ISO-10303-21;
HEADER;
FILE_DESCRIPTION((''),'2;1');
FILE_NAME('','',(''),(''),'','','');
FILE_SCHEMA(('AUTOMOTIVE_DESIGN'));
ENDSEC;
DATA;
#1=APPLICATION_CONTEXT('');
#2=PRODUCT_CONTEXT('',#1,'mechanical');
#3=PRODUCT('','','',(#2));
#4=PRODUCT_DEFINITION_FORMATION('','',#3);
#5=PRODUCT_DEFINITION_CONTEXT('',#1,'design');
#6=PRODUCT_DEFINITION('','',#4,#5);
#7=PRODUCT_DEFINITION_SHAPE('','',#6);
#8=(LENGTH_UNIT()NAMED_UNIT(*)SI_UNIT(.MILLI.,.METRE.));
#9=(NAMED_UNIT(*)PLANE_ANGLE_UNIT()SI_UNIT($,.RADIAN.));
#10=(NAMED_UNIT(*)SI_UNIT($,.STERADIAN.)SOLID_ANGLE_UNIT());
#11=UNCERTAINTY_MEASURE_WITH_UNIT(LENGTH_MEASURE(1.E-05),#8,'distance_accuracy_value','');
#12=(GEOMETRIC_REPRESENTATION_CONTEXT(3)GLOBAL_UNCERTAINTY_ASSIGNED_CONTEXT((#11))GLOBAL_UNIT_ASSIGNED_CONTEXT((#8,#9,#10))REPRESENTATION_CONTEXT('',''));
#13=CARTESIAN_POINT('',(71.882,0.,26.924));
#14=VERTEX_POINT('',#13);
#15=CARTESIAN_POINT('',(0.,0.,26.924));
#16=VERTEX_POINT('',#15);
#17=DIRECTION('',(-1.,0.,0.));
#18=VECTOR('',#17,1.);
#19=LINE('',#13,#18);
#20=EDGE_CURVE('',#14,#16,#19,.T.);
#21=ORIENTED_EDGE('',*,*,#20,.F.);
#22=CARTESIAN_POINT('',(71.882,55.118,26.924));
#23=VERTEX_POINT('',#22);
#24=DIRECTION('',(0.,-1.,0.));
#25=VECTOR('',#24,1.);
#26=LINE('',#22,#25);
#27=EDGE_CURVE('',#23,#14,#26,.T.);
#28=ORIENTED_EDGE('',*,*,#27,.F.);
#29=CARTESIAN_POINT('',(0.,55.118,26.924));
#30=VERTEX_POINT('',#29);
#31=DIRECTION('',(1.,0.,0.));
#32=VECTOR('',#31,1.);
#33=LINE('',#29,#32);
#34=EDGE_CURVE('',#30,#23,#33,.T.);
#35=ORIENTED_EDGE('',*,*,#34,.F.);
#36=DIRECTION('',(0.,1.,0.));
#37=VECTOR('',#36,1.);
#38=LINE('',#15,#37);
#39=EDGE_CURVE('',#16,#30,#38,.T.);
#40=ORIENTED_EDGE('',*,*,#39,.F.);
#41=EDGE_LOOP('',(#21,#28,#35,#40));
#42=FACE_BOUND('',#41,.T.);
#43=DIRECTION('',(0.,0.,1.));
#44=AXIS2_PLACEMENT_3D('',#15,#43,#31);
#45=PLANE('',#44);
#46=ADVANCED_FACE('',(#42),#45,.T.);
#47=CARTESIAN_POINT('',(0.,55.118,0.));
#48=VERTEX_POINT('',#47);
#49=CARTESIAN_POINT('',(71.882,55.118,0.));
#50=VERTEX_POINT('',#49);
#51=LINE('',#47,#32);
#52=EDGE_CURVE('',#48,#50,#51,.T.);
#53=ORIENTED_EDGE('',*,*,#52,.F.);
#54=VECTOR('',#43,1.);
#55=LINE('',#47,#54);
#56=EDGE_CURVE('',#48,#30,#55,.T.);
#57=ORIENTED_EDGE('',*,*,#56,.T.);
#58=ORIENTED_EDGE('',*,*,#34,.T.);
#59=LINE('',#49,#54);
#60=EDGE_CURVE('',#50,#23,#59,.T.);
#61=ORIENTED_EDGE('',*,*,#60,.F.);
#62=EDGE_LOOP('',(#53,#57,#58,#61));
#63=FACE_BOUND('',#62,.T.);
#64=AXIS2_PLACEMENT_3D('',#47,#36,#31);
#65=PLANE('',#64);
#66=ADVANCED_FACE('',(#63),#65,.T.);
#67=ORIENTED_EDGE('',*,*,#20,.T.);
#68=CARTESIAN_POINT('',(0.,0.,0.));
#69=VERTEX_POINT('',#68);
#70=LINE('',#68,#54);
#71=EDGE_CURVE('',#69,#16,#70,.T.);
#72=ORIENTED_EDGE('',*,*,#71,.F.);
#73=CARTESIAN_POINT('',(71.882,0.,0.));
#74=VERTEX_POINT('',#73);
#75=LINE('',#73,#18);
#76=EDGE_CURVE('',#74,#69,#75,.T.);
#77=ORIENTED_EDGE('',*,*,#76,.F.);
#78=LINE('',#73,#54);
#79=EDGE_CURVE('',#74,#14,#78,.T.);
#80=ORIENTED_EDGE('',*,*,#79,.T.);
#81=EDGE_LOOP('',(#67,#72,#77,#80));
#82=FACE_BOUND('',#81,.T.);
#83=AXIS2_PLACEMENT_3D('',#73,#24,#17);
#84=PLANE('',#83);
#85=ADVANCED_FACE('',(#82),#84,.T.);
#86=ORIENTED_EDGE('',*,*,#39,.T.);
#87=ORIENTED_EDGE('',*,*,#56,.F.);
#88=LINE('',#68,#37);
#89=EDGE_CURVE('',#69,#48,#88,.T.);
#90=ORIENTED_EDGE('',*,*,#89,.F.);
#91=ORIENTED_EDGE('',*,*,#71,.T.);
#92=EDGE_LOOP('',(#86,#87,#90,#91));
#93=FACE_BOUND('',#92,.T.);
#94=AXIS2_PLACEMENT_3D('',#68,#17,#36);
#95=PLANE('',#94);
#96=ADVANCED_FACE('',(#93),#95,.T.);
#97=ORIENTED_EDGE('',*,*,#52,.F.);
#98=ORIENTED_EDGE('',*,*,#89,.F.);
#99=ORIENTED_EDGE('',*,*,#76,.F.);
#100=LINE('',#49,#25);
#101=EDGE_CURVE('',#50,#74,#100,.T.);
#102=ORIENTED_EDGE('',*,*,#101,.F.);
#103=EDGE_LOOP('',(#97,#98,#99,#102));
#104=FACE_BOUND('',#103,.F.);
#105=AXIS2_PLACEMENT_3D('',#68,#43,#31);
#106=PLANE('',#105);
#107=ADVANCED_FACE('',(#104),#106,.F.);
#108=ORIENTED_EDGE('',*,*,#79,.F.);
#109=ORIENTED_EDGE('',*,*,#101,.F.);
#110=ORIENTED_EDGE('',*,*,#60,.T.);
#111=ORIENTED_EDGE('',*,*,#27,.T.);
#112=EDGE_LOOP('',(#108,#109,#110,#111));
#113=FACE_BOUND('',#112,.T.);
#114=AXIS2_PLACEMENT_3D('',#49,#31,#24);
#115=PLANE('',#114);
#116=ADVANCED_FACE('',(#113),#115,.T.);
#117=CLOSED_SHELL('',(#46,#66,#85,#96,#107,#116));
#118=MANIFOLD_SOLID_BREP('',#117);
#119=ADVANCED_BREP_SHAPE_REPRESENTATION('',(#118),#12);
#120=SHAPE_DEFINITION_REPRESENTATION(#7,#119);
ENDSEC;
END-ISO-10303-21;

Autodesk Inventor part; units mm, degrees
ref_plane "YZ Plane" through (0, 0, 0) normal (1, 0, 0) x (0, 1, 0)
ref_plane "XZ Plane" through (0, 0, 0) normal (0, 1, 0) x (-1, 0, 0)
ref_plane "XY Plane" through (0, 0, 0) normal (0, 0, 1) x (1, 0, 0)
sketch "Sketch1" plane through (0, 0, 0) normal (0, 0, 1) x (1, 0, 0)
  line L0 (0, 0) -> (0, 55.118)
  line L1 (0, 55.118) -> (71.882, 55.118)
  line L2 (71.882, 55.118) -> (71.882, 0)
  line L3 (71.882, 0) -> (0, 0)
  dimension "d0" = 55.118
  dimension "d1" = 71.882
extrude "Extrusion1" add sketch "Sketch1" along normal blind 26.924
sketch "Sketch4" plane through (0, 0, 0) normal (-1, 0, 0) x (0, 0, 1)
  line L0 (5.7909, 6.9155) -> (5.7909, 47.856) construction
  line L1 (5.7909, 47.856) -> (8.0781, 47.856) construction
  line L2 (8.0781, 47.856) -> (8.0781, 6.9155) construction
  line L3 (8.0781, 6.9155) -> (5.7909, 6.9155) construction
  point P0 (0, 0)
properties part number "motor_controller_sketch"
